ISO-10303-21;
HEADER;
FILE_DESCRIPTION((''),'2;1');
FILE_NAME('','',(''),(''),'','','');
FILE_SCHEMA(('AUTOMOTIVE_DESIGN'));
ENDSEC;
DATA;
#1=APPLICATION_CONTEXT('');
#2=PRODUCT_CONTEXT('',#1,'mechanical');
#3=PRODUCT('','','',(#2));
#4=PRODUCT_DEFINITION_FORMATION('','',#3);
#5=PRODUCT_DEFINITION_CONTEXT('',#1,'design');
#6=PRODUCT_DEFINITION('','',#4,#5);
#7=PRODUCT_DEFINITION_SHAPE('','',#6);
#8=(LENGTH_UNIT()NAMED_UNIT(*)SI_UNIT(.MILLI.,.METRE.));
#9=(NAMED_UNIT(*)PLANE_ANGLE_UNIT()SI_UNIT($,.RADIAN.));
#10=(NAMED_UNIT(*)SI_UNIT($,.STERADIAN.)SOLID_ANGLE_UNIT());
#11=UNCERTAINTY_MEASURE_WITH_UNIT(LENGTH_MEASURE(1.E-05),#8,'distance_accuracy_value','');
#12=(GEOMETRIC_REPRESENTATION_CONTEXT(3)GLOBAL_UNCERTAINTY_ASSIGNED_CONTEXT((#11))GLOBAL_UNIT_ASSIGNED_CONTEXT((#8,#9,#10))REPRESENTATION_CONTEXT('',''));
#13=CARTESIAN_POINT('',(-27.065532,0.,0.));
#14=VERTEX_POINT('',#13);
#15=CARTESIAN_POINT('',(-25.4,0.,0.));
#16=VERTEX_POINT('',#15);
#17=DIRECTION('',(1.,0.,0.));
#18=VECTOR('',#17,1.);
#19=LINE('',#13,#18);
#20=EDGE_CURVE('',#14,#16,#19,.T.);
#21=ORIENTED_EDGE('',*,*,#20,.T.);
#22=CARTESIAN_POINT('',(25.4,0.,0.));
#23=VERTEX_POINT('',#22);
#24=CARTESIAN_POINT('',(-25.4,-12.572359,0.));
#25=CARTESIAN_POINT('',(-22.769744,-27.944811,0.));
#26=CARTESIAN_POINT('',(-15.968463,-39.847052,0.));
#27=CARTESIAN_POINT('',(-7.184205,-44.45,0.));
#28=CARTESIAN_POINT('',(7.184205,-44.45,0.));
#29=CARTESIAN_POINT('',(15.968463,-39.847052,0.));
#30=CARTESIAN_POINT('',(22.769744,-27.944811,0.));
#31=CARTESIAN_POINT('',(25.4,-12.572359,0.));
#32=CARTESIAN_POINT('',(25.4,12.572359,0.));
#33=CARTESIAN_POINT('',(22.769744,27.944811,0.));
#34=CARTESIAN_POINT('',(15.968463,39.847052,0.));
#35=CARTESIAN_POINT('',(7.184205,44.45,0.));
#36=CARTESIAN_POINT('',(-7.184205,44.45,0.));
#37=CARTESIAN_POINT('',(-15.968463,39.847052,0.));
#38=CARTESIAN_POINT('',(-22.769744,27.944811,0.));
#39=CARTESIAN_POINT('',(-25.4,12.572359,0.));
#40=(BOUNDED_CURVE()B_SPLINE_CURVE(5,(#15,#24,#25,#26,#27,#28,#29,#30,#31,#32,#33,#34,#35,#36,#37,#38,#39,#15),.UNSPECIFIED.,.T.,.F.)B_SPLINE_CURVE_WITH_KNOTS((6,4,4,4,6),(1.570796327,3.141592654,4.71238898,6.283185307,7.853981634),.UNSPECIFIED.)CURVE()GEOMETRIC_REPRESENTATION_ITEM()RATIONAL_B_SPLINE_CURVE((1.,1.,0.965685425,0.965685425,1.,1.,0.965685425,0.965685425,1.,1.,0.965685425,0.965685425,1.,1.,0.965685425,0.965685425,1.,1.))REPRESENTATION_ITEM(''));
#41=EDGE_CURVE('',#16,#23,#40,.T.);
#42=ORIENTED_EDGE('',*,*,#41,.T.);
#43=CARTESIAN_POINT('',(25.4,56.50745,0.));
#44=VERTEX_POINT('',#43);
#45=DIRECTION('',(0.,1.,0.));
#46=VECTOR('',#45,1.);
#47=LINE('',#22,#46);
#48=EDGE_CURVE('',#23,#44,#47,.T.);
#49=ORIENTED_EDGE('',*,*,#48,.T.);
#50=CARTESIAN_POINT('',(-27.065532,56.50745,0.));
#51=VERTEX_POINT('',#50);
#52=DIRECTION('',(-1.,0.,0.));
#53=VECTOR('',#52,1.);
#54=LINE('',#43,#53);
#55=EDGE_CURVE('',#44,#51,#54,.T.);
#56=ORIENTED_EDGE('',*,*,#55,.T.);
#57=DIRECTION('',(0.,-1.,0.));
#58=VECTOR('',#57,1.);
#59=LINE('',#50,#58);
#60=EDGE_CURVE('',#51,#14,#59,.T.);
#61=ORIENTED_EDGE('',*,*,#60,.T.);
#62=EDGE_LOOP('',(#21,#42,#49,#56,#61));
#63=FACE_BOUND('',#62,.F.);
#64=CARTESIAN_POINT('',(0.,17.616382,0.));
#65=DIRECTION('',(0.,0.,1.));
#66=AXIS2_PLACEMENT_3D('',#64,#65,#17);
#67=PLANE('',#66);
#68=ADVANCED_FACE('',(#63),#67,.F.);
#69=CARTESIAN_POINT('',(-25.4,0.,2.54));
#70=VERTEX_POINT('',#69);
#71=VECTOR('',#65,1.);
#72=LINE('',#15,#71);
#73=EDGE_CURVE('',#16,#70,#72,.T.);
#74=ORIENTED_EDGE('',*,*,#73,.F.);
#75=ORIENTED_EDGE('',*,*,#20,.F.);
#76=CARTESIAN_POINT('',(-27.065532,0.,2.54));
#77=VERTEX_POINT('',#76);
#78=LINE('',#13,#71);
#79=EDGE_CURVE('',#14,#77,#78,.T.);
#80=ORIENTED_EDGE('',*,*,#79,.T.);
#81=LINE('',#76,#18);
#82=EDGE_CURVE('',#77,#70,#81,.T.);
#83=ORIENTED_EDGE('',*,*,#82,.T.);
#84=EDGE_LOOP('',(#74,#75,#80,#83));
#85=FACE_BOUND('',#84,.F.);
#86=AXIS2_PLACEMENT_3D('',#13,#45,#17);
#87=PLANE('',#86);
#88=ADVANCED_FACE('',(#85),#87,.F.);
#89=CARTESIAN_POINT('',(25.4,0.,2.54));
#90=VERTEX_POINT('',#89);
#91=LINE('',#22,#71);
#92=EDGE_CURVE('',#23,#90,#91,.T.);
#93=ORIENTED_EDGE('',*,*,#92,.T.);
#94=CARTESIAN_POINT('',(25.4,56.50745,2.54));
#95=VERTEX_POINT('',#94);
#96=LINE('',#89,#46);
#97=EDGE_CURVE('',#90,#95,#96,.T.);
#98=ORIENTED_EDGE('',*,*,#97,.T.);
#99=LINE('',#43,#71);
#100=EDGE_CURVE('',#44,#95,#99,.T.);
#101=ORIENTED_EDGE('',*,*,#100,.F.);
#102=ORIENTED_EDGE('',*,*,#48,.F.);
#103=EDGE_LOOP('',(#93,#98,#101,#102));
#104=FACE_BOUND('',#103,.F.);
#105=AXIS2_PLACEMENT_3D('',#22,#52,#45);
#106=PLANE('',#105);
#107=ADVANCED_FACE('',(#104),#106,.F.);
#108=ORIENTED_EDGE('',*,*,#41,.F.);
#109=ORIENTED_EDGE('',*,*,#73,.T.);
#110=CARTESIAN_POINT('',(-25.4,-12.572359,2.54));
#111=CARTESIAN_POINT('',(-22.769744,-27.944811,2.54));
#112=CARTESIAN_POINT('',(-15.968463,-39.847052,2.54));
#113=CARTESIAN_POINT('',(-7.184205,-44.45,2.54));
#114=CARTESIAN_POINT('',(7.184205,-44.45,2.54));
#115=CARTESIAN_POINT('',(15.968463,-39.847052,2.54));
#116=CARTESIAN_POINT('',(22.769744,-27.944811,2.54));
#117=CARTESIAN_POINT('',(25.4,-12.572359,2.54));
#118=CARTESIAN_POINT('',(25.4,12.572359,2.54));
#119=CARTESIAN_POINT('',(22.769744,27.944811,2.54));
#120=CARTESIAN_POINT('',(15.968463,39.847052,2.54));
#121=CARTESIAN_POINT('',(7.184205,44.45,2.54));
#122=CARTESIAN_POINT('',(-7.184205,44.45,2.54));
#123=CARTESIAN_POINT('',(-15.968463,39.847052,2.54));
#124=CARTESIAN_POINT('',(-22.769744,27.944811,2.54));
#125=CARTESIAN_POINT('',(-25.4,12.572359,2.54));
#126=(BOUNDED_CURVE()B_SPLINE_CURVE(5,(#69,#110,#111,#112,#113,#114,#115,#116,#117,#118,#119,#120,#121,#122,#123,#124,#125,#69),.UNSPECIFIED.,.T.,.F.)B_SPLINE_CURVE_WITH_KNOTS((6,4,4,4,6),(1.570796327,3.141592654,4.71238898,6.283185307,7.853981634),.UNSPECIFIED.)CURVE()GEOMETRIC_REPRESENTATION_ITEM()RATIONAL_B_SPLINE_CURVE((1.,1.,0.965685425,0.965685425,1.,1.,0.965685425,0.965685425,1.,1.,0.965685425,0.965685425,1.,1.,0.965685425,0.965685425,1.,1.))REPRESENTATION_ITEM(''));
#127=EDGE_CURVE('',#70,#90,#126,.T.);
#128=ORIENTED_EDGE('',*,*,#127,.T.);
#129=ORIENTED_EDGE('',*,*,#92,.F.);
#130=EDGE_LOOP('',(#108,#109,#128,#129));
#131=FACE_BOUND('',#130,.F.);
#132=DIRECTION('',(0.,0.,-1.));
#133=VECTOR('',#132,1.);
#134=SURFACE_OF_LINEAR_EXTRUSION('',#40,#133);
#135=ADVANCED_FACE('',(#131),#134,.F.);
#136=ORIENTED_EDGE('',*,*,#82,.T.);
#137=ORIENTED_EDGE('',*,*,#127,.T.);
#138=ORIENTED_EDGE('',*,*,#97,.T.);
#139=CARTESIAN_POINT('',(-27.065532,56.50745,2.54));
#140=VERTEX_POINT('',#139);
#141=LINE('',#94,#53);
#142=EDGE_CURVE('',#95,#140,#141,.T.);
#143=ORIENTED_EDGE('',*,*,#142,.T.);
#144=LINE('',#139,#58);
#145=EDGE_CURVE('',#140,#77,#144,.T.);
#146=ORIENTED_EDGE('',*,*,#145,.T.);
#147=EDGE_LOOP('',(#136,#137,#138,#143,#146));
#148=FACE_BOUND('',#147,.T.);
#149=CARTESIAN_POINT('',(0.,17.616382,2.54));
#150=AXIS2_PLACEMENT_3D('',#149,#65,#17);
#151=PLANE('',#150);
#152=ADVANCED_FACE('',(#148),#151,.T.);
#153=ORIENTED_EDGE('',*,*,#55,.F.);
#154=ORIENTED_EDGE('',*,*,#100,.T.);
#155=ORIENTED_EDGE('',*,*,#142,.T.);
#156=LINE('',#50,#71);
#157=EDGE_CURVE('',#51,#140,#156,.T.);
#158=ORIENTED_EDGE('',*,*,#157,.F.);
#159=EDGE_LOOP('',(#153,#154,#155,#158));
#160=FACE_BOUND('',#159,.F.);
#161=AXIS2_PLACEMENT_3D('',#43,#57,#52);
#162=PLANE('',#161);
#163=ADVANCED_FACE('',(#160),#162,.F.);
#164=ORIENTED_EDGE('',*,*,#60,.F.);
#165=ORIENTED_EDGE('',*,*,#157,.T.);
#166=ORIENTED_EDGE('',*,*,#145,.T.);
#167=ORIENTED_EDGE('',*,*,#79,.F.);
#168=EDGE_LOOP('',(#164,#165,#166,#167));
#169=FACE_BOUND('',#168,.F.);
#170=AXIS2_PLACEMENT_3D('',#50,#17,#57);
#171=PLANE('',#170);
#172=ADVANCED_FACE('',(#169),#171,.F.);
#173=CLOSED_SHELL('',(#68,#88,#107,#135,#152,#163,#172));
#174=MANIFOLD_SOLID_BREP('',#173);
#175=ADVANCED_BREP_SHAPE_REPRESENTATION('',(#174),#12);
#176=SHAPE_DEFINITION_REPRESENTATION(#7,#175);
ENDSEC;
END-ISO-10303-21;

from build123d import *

# Parameters (mm, degrees)
F1_DEPTH = 2.54


with BuildPart() as f1:
    # F0 (on Top) → F1 (new body)
    with BuildSketch(Plane.XY):
        with BuildLine():
            Line((-25.4, 0), (25.4, 0))
            add(Edge.make_bspline(
                [(25.4, 0), (25.4, 44.45), (0, 44.45)],
                knots=[4.7123889804, 4.7123889804, 4.7123889804, 6.2831853072, 6.2831853072, 6.2831853072], degree=2, weights=[1, 0.7071067812, 1]))
            add(Edge.make_bspline(
                [(0, 44.45), (-25.4, 44.45), (-25.4, 0)],
                knots=[0, 0, 0, 1.5707963268, 1.5707963268, 1.5707963268], degree=2, weights=[1, 0.7071067812, 1]))
        make_face()
        with BuildLine():
            add(Edge.make_bspline(
                [(-25.4, 0), (-25.4, -44.45), (0, -44.45), (25.4, -44.45), (25.4, 0)],
                knots=[1.5707963268, 1.5707963268, 1.5707963268, 3.1415926536, 3.1415926536, 4.7123889804, 4.7123889804, 4.7123889804], degree=2, weights=[1, 0.7071067812, 1, 0.7071067812, 1]))
            Line((25.4, 0), (-25.4, 0))
        make_face()
        with BuildLine():
            add(Edge.make_bspline(
                [(25.4, 0), (25.4, 44.45), (0, 44.45)],
                knots=[4.7123889804, 4.7123889804, 4.7123889804, 6.2831853072, 6.2831853072, 6.2831853072], degree=2, weights=[1, 0.7071067812, 1]))
            Line((25.4, 0), (25.4, 56.5074495971))
            Line((25.4, 56.5074495971), (-27.065532282, 56.5074495971))
            Line((-27.065532282, 56.5074495971), (-27.065532282, 0))
            Line((-27.065532282, 0), (-25.4, 0))
            add(Edge.make_bspline(
                [(0, 44.45), (-25.4, 44.45), (-25.4, 0)],
                knots=[0, 0, 0, 1.5707963268, 1.5707963268, 1.5707963268], degree=2, weights=[1, 0.7071067812, 1]))
        make_face()
    extrude(amount=F1_DEPTH)


solid = f1.part
